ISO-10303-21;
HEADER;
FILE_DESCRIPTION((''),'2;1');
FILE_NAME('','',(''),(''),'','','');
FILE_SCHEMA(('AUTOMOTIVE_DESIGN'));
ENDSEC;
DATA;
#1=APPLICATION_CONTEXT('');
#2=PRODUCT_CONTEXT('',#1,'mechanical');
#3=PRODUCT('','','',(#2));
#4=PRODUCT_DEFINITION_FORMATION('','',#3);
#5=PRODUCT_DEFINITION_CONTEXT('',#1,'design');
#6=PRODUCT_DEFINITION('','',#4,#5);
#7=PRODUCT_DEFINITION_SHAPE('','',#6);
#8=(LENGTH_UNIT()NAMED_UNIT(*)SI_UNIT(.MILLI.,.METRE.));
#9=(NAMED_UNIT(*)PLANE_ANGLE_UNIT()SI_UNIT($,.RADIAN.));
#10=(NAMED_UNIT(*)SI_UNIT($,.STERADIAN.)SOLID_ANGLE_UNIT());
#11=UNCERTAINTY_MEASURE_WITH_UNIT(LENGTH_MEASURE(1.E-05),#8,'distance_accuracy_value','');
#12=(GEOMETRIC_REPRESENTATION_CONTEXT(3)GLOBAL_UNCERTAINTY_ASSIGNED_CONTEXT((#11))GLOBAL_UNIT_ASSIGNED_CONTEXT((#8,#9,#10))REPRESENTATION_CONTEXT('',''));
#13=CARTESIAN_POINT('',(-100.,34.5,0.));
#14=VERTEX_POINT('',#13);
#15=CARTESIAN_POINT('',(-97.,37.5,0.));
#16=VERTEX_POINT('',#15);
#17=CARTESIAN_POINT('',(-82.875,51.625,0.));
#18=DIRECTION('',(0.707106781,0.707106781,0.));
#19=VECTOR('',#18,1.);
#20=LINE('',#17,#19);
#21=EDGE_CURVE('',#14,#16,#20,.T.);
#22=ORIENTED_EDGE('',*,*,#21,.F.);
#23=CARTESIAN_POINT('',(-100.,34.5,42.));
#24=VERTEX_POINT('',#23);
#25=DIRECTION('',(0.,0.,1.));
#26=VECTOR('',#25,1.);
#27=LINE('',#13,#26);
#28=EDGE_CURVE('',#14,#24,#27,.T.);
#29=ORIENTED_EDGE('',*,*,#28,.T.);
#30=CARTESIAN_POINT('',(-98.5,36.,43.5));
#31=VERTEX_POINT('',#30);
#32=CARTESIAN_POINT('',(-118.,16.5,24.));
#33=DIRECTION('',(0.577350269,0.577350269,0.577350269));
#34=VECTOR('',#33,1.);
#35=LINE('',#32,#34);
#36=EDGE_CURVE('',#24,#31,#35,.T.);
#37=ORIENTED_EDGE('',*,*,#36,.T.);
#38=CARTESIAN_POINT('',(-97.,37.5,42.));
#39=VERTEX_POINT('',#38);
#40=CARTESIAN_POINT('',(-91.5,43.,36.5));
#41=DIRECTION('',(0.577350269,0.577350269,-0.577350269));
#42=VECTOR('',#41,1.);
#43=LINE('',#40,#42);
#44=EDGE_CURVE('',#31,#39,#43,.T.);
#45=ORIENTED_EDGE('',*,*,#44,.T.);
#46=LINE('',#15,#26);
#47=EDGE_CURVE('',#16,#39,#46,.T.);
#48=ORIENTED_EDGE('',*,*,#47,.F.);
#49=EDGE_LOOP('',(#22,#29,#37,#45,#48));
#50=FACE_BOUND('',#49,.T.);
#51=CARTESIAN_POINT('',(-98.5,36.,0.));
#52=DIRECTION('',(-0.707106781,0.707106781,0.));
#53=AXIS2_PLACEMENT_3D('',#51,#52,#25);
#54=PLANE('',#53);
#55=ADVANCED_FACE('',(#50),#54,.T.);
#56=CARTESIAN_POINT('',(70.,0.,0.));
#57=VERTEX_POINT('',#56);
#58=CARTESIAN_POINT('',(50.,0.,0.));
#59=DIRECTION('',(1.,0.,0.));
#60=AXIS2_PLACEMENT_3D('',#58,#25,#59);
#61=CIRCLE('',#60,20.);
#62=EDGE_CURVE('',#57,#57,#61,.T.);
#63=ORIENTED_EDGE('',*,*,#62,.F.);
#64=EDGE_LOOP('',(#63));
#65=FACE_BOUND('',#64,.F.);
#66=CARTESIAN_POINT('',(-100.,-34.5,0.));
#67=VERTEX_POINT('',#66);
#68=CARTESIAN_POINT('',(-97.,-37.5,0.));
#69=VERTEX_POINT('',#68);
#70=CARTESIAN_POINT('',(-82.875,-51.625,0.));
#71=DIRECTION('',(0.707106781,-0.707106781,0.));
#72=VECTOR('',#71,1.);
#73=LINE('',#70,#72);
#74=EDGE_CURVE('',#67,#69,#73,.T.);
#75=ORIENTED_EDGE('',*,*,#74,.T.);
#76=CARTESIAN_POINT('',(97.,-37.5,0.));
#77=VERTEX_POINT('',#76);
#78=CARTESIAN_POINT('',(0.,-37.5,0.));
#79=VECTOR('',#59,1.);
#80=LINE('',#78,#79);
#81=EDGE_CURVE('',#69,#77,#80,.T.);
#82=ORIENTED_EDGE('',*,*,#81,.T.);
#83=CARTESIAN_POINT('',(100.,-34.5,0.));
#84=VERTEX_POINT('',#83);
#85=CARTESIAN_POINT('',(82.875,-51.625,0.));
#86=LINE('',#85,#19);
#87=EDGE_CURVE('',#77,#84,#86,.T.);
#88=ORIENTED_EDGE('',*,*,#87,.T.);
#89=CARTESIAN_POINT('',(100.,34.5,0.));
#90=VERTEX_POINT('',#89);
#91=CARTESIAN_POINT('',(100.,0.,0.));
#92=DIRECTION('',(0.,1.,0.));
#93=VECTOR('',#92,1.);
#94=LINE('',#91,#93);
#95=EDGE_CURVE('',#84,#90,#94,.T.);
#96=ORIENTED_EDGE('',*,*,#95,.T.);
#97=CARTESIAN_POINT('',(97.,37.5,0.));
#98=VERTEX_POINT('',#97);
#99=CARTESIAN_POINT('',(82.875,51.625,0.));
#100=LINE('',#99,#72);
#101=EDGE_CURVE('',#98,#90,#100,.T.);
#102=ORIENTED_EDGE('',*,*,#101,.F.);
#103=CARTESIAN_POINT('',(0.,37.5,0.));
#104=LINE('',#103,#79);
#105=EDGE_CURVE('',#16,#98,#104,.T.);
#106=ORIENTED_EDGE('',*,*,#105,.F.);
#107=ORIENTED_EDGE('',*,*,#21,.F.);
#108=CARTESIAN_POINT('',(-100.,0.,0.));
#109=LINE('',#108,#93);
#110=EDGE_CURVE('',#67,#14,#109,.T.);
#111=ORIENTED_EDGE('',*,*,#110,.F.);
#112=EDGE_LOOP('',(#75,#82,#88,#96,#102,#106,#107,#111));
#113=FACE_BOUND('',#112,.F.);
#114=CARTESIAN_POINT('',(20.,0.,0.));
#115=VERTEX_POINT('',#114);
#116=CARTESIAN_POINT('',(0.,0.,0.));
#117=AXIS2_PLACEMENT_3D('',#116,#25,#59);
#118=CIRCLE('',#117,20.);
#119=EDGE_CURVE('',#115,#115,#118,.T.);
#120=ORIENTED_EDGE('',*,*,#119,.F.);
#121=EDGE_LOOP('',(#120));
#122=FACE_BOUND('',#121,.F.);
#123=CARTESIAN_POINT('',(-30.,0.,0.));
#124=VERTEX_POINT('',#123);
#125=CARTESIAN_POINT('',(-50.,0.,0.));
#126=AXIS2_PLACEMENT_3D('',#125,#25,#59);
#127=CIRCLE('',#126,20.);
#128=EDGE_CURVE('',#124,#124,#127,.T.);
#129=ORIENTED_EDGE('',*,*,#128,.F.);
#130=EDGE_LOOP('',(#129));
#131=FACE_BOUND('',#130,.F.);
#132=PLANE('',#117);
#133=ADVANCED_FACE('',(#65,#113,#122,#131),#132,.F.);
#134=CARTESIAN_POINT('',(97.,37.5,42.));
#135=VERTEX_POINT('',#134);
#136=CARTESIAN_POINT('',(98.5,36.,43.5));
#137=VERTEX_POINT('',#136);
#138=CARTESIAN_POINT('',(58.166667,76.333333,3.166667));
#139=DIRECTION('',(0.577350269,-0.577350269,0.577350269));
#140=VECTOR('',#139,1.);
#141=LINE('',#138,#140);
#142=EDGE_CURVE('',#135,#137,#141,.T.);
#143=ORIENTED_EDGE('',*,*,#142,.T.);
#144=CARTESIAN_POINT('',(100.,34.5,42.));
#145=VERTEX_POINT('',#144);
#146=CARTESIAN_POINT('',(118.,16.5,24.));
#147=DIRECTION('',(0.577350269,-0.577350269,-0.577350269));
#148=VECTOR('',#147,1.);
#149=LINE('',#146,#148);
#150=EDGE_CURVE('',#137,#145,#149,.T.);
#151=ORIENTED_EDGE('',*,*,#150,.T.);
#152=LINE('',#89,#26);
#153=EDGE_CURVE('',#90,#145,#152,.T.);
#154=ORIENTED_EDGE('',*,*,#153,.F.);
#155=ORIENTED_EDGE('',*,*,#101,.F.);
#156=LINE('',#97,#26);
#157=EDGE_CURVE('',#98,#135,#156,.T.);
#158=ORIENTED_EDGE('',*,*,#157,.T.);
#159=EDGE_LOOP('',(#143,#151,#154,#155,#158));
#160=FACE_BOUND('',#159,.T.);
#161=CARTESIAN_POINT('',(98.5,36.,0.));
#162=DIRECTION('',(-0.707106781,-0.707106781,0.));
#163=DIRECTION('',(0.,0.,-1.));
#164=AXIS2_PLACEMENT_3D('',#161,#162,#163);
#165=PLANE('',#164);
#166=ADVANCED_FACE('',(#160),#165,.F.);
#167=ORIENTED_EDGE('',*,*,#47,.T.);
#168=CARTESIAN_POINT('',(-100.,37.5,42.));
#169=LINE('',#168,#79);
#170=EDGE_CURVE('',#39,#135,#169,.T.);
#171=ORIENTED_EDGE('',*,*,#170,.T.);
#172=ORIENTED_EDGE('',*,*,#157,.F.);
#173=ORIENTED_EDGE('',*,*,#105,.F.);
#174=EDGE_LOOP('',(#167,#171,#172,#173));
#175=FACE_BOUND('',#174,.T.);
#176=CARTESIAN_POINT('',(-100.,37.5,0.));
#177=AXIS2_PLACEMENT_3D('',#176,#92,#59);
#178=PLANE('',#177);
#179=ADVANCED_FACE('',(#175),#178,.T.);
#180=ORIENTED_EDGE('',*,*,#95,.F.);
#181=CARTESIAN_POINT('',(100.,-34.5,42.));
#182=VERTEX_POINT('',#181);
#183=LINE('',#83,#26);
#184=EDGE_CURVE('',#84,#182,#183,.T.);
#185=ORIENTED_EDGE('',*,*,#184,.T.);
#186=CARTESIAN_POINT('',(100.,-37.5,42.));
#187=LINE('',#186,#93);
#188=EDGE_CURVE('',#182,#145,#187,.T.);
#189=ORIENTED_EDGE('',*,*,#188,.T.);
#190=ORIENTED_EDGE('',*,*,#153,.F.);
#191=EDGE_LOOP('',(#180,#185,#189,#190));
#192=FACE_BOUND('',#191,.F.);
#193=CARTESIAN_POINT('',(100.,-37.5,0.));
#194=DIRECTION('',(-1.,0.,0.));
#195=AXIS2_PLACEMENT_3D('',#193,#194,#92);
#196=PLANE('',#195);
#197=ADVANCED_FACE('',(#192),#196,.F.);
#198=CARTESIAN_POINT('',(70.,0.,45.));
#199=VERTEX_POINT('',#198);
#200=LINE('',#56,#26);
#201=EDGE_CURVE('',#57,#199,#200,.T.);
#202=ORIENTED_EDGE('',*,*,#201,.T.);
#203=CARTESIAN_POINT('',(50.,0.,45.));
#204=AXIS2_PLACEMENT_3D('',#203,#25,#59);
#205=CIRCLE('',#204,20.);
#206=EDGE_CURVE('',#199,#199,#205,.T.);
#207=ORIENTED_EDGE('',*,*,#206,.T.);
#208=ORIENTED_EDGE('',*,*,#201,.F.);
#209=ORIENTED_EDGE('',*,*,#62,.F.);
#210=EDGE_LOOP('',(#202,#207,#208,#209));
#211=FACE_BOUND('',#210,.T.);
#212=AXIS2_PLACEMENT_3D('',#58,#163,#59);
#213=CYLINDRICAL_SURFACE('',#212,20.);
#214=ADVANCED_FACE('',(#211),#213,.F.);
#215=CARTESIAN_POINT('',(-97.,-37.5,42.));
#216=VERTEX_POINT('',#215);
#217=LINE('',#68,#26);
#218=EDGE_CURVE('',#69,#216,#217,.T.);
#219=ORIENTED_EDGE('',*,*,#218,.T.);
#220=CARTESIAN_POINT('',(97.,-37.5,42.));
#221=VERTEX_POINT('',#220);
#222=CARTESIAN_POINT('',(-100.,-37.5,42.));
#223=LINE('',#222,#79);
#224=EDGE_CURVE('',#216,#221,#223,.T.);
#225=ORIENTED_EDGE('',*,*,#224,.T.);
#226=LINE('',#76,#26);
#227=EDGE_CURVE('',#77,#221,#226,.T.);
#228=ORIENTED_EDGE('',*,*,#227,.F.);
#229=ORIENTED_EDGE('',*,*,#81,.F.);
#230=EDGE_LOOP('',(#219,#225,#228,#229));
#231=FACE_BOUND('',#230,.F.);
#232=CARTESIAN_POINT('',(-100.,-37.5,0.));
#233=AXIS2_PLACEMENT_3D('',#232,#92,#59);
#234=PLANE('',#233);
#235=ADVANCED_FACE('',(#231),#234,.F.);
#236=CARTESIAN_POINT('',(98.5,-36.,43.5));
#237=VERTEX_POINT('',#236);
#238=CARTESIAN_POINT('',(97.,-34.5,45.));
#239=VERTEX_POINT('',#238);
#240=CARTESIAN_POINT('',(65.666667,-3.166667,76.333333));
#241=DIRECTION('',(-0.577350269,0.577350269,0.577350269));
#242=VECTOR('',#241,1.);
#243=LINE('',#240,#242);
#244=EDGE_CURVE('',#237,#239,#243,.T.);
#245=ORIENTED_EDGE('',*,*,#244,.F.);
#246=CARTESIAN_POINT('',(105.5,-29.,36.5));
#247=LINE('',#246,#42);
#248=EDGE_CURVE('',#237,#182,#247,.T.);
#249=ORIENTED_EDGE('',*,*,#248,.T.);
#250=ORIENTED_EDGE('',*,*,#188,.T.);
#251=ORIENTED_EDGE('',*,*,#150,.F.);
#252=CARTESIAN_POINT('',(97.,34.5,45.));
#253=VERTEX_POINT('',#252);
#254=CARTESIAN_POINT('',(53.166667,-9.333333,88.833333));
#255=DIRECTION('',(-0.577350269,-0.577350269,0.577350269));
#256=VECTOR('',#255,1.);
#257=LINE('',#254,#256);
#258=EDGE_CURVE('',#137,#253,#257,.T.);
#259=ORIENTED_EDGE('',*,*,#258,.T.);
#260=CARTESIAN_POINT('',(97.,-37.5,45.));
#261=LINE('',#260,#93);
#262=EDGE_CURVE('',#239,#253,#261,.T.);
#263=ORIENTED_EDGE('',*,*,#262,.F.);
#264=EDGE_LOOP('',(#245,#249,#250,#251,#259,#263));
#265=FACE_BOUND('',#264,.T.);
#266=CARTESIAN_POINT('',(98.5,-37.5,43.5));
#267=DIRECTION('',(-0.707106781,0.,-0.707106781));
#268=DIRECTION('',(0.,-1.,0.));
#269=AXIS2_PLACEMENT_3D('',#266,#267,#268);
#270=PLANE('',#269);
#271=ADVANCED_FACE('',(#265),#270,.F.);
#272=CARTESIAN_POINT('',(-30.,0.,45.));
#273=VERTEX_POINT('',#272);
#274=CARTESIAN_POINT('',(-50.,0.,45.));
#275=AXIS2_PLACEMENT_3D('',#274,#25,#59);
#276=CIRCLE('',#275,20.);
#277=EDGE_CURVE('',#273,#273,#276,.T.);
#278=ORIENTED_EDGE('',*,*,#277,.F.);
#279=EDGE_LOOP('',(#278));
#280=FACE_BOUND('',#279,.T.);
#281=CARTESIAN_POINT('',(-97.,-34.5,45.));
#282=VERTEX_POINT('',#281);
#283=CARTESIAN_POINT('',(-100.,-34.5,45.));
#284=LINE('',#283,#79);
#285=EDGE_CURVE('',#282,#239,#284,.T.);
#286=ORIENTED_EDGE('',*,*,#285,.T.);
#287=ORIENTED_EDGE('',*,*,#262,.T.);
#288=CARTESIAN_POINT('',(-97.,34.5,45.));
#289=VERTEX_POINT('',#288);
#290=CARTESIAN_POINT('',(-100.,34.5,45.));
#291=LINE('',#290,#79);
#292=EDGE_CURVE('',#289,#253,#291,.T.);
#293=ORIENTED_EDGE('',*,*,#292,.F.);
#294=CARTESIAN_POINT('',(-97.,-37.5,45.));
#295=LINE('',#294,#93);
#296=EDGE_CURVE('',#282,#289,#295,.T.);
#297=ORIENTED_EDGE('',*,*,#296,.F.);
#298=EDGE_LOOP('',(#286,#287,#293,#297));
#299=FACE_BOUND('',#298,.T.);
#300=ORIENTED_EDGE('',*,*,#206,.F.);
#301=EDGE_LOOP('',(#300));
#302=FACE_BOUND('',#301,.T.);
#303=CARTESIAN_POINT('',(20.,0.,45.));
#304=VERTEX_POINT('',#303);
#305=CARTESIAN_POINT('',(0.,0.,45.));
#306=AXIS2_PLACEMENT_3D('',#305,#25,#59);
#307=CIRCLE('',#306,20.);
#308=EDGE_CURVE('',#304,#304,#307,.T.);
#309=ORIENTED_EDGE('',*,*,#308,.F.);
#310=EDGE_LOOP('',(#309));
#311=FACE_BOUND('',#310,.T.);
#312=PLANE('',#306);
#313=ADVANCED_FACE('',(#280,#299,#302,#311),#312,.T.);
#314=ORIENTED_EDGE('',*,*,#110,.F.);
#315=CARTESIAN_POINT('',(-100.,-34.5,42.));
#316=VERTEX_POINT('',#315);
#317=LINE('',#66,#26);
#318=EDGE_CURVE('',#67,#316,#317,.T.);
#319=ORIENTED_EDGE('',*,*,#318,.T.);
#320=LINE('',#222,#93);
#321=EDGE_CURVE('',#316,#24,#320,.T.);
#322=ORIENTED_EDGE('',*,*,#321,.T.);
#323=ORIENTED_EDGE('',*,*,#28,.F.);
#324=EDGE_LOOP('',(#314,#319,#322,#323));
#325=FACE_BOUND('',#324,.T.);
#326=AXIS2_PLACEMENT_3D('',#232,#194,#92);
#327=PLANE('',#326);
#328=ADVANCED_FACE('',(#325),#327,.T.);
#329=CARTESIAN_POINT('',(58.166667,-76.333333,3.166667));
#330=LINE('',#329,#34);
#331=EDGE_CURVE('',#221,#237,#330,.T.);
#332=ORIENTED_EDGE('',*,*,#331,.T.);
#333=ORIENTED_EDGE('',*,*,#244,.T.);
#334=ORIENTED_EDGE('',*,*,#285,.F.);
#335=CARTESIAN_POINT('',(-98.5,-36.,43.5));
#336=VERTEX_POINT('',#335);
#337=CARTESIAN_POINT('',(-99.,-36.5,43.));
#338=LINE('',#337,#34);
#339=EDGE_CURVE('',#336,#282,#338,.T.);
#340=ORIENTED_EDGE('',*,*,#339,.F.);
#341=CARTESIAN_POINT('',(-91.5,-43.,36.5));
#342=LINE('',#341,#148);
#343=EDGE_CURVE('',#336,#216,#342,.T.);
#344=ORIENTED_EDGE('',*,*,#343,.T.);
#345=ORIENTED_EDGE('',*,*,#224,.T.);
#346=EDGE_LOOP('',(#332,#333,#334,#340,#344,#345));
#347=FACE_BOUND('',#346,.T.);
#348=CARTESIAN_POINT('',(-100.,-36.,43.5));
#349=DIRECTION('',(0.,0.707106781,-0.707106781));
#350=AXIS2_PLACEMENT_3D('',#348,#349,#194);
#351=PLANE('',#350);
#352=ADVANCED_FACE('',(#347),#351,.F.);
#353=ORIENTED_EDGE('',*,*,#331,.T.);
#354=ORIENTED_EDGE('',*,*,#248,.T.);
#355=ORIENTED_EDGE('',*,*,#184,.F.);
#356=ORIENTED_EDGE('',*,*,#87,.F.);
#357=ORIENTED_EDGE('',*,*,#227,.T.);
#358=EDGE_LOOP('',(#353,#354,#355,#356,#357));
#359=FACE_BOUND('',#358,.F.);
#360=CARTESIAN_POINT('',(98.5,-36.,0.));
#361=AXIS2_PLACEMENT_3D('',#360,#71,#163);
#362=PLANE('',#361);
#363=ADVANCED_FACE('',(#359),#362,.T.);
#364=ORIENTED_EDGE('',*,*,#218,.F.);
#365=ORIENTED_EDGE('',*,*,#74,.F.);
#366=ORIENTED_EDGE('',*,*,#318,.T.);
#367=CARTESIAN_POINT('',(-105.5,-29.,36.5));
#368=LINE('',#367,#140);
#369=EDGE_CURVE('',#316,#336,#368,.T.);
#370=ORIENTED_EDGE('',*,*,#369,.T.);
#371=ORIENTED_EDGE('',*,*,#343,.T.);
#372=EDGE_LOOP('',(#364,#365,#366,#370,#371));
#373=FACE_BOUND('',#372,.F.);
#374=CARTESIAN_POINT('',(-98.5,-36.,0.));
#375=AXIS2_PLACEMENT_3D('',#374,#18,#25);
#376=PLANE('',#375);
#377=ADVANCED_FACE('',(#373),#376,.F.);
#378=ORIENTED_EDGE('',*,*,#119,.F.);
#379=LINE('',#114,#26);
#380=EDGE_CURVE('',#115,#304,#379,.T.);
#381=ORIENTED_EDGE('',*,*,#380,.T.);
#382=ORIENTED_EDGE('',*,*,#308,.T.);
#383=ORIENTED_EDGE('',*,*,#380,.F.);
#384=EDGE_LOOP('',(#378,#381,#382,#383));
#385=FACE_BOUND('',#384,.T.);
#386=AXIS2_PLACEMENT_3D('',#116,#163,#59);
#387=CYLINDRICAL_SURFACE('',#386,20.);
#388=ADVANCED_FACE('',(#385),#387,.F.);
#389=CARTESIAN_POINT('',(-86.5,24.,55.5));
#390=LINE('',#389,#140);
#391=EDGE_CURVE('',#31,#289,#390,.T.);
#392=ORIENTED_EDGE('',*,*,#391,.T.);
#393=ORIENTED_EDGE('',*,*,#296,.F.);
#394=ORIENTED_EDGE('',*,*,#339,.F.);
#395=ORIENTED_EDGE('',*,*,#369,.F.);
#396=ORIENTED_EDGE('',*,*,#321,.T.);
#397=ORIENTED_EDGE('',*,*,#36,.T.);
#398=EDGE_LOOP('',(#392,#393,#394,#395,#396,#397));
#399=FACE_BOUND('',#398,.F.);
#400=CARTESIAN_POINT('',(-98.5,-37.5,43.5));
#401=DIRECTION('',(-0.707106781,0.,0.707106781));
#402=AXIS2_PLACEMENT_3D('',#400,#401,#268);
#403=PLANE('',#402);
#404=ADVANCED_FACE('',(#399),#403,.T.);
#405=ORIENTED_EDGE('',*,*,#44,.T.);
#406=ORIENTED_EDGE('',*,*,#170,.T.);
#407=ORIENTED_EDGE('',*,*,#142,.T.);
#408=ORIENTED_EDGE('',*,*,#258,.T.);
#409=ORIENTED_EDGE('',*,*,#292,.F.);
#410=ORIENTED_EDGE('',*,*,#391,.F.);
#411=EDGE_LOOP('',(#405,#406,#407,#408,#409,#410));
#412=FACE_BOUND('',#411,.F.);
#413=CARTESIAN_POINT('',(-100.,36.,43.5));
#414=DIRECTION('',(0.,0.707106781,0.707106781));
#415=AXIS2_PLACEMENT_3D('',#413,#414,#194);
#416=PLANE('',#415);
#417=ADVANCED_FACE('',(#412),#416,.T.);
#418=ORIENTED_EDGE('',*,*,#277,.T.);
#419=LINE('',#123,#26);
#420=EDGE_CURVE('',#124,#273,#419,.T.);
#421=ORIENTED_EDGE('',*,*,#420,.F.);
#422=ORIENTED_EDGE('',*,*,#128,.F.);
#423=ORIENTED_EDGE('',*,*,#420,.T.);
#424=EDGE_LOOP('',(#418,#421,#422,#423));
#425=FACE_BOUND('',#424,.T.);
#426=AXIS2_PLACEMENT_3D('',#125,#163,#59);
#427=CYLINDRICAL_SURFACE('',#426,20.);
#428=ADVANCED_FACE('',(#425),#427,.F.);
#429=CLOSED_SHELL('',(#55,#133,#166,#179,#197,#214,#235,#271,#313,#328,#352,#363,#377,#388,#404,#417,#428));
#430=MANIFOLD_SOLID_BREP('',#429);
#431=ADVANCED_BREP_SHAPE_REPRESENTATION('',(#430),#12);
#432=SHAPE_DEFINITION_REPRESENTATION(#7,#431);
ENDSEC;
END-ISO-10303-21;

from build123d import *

# Parameters (mm, degrees)
SKETCH_W        = 200
SKETCH_H        = 75
SKETCH_R        = 20
PAD_DEPTH       = 45
CHAMFER_SIZE    = 3
CHAMFER001_SIZE = 3


with BuildPart() as part:
    # Sketch → Pad (new body)
    with BuildSketch(Plane.XY):
        Rectangle(SKETCH_W, SKETCH_H)
        Circle(SKETCH_R, mode=Mode.SUBTRACT)
        with Locations((-50, 0)):
            Circle(SKETCH_R, mode=Mode.SUBTRACT)
        with Locations((50, 0)):
            Circle(SKETCH_R, mode=Mode.SUBTRACT)
    extrude(amount=PAD_DEPTH)

    # Chamfer
    chamfer_edges = [part.edges().sort_by_distance(p)[0] for p in [
        (100, 0, 45),
        (0, 37.5, 45),
        (-100, 0, 45),
        (0, -37.5, 45),
    ]]
    chamfer(chamfer_edges, length=CHAMFER_SIZE)

    # Chamfer001
    chamfer001_edges = [part.edges().sort_by_distance(p)[0] for p in [
        (100, 37.5, 21),
        (100, -37.5, 21),
        (-100, -37.5, 21),
        (-100, 37.5, 21),
    ]]
    chamfer(chamfer001_edges, length=CHAMFER001_SIZE)


solid = part.part
